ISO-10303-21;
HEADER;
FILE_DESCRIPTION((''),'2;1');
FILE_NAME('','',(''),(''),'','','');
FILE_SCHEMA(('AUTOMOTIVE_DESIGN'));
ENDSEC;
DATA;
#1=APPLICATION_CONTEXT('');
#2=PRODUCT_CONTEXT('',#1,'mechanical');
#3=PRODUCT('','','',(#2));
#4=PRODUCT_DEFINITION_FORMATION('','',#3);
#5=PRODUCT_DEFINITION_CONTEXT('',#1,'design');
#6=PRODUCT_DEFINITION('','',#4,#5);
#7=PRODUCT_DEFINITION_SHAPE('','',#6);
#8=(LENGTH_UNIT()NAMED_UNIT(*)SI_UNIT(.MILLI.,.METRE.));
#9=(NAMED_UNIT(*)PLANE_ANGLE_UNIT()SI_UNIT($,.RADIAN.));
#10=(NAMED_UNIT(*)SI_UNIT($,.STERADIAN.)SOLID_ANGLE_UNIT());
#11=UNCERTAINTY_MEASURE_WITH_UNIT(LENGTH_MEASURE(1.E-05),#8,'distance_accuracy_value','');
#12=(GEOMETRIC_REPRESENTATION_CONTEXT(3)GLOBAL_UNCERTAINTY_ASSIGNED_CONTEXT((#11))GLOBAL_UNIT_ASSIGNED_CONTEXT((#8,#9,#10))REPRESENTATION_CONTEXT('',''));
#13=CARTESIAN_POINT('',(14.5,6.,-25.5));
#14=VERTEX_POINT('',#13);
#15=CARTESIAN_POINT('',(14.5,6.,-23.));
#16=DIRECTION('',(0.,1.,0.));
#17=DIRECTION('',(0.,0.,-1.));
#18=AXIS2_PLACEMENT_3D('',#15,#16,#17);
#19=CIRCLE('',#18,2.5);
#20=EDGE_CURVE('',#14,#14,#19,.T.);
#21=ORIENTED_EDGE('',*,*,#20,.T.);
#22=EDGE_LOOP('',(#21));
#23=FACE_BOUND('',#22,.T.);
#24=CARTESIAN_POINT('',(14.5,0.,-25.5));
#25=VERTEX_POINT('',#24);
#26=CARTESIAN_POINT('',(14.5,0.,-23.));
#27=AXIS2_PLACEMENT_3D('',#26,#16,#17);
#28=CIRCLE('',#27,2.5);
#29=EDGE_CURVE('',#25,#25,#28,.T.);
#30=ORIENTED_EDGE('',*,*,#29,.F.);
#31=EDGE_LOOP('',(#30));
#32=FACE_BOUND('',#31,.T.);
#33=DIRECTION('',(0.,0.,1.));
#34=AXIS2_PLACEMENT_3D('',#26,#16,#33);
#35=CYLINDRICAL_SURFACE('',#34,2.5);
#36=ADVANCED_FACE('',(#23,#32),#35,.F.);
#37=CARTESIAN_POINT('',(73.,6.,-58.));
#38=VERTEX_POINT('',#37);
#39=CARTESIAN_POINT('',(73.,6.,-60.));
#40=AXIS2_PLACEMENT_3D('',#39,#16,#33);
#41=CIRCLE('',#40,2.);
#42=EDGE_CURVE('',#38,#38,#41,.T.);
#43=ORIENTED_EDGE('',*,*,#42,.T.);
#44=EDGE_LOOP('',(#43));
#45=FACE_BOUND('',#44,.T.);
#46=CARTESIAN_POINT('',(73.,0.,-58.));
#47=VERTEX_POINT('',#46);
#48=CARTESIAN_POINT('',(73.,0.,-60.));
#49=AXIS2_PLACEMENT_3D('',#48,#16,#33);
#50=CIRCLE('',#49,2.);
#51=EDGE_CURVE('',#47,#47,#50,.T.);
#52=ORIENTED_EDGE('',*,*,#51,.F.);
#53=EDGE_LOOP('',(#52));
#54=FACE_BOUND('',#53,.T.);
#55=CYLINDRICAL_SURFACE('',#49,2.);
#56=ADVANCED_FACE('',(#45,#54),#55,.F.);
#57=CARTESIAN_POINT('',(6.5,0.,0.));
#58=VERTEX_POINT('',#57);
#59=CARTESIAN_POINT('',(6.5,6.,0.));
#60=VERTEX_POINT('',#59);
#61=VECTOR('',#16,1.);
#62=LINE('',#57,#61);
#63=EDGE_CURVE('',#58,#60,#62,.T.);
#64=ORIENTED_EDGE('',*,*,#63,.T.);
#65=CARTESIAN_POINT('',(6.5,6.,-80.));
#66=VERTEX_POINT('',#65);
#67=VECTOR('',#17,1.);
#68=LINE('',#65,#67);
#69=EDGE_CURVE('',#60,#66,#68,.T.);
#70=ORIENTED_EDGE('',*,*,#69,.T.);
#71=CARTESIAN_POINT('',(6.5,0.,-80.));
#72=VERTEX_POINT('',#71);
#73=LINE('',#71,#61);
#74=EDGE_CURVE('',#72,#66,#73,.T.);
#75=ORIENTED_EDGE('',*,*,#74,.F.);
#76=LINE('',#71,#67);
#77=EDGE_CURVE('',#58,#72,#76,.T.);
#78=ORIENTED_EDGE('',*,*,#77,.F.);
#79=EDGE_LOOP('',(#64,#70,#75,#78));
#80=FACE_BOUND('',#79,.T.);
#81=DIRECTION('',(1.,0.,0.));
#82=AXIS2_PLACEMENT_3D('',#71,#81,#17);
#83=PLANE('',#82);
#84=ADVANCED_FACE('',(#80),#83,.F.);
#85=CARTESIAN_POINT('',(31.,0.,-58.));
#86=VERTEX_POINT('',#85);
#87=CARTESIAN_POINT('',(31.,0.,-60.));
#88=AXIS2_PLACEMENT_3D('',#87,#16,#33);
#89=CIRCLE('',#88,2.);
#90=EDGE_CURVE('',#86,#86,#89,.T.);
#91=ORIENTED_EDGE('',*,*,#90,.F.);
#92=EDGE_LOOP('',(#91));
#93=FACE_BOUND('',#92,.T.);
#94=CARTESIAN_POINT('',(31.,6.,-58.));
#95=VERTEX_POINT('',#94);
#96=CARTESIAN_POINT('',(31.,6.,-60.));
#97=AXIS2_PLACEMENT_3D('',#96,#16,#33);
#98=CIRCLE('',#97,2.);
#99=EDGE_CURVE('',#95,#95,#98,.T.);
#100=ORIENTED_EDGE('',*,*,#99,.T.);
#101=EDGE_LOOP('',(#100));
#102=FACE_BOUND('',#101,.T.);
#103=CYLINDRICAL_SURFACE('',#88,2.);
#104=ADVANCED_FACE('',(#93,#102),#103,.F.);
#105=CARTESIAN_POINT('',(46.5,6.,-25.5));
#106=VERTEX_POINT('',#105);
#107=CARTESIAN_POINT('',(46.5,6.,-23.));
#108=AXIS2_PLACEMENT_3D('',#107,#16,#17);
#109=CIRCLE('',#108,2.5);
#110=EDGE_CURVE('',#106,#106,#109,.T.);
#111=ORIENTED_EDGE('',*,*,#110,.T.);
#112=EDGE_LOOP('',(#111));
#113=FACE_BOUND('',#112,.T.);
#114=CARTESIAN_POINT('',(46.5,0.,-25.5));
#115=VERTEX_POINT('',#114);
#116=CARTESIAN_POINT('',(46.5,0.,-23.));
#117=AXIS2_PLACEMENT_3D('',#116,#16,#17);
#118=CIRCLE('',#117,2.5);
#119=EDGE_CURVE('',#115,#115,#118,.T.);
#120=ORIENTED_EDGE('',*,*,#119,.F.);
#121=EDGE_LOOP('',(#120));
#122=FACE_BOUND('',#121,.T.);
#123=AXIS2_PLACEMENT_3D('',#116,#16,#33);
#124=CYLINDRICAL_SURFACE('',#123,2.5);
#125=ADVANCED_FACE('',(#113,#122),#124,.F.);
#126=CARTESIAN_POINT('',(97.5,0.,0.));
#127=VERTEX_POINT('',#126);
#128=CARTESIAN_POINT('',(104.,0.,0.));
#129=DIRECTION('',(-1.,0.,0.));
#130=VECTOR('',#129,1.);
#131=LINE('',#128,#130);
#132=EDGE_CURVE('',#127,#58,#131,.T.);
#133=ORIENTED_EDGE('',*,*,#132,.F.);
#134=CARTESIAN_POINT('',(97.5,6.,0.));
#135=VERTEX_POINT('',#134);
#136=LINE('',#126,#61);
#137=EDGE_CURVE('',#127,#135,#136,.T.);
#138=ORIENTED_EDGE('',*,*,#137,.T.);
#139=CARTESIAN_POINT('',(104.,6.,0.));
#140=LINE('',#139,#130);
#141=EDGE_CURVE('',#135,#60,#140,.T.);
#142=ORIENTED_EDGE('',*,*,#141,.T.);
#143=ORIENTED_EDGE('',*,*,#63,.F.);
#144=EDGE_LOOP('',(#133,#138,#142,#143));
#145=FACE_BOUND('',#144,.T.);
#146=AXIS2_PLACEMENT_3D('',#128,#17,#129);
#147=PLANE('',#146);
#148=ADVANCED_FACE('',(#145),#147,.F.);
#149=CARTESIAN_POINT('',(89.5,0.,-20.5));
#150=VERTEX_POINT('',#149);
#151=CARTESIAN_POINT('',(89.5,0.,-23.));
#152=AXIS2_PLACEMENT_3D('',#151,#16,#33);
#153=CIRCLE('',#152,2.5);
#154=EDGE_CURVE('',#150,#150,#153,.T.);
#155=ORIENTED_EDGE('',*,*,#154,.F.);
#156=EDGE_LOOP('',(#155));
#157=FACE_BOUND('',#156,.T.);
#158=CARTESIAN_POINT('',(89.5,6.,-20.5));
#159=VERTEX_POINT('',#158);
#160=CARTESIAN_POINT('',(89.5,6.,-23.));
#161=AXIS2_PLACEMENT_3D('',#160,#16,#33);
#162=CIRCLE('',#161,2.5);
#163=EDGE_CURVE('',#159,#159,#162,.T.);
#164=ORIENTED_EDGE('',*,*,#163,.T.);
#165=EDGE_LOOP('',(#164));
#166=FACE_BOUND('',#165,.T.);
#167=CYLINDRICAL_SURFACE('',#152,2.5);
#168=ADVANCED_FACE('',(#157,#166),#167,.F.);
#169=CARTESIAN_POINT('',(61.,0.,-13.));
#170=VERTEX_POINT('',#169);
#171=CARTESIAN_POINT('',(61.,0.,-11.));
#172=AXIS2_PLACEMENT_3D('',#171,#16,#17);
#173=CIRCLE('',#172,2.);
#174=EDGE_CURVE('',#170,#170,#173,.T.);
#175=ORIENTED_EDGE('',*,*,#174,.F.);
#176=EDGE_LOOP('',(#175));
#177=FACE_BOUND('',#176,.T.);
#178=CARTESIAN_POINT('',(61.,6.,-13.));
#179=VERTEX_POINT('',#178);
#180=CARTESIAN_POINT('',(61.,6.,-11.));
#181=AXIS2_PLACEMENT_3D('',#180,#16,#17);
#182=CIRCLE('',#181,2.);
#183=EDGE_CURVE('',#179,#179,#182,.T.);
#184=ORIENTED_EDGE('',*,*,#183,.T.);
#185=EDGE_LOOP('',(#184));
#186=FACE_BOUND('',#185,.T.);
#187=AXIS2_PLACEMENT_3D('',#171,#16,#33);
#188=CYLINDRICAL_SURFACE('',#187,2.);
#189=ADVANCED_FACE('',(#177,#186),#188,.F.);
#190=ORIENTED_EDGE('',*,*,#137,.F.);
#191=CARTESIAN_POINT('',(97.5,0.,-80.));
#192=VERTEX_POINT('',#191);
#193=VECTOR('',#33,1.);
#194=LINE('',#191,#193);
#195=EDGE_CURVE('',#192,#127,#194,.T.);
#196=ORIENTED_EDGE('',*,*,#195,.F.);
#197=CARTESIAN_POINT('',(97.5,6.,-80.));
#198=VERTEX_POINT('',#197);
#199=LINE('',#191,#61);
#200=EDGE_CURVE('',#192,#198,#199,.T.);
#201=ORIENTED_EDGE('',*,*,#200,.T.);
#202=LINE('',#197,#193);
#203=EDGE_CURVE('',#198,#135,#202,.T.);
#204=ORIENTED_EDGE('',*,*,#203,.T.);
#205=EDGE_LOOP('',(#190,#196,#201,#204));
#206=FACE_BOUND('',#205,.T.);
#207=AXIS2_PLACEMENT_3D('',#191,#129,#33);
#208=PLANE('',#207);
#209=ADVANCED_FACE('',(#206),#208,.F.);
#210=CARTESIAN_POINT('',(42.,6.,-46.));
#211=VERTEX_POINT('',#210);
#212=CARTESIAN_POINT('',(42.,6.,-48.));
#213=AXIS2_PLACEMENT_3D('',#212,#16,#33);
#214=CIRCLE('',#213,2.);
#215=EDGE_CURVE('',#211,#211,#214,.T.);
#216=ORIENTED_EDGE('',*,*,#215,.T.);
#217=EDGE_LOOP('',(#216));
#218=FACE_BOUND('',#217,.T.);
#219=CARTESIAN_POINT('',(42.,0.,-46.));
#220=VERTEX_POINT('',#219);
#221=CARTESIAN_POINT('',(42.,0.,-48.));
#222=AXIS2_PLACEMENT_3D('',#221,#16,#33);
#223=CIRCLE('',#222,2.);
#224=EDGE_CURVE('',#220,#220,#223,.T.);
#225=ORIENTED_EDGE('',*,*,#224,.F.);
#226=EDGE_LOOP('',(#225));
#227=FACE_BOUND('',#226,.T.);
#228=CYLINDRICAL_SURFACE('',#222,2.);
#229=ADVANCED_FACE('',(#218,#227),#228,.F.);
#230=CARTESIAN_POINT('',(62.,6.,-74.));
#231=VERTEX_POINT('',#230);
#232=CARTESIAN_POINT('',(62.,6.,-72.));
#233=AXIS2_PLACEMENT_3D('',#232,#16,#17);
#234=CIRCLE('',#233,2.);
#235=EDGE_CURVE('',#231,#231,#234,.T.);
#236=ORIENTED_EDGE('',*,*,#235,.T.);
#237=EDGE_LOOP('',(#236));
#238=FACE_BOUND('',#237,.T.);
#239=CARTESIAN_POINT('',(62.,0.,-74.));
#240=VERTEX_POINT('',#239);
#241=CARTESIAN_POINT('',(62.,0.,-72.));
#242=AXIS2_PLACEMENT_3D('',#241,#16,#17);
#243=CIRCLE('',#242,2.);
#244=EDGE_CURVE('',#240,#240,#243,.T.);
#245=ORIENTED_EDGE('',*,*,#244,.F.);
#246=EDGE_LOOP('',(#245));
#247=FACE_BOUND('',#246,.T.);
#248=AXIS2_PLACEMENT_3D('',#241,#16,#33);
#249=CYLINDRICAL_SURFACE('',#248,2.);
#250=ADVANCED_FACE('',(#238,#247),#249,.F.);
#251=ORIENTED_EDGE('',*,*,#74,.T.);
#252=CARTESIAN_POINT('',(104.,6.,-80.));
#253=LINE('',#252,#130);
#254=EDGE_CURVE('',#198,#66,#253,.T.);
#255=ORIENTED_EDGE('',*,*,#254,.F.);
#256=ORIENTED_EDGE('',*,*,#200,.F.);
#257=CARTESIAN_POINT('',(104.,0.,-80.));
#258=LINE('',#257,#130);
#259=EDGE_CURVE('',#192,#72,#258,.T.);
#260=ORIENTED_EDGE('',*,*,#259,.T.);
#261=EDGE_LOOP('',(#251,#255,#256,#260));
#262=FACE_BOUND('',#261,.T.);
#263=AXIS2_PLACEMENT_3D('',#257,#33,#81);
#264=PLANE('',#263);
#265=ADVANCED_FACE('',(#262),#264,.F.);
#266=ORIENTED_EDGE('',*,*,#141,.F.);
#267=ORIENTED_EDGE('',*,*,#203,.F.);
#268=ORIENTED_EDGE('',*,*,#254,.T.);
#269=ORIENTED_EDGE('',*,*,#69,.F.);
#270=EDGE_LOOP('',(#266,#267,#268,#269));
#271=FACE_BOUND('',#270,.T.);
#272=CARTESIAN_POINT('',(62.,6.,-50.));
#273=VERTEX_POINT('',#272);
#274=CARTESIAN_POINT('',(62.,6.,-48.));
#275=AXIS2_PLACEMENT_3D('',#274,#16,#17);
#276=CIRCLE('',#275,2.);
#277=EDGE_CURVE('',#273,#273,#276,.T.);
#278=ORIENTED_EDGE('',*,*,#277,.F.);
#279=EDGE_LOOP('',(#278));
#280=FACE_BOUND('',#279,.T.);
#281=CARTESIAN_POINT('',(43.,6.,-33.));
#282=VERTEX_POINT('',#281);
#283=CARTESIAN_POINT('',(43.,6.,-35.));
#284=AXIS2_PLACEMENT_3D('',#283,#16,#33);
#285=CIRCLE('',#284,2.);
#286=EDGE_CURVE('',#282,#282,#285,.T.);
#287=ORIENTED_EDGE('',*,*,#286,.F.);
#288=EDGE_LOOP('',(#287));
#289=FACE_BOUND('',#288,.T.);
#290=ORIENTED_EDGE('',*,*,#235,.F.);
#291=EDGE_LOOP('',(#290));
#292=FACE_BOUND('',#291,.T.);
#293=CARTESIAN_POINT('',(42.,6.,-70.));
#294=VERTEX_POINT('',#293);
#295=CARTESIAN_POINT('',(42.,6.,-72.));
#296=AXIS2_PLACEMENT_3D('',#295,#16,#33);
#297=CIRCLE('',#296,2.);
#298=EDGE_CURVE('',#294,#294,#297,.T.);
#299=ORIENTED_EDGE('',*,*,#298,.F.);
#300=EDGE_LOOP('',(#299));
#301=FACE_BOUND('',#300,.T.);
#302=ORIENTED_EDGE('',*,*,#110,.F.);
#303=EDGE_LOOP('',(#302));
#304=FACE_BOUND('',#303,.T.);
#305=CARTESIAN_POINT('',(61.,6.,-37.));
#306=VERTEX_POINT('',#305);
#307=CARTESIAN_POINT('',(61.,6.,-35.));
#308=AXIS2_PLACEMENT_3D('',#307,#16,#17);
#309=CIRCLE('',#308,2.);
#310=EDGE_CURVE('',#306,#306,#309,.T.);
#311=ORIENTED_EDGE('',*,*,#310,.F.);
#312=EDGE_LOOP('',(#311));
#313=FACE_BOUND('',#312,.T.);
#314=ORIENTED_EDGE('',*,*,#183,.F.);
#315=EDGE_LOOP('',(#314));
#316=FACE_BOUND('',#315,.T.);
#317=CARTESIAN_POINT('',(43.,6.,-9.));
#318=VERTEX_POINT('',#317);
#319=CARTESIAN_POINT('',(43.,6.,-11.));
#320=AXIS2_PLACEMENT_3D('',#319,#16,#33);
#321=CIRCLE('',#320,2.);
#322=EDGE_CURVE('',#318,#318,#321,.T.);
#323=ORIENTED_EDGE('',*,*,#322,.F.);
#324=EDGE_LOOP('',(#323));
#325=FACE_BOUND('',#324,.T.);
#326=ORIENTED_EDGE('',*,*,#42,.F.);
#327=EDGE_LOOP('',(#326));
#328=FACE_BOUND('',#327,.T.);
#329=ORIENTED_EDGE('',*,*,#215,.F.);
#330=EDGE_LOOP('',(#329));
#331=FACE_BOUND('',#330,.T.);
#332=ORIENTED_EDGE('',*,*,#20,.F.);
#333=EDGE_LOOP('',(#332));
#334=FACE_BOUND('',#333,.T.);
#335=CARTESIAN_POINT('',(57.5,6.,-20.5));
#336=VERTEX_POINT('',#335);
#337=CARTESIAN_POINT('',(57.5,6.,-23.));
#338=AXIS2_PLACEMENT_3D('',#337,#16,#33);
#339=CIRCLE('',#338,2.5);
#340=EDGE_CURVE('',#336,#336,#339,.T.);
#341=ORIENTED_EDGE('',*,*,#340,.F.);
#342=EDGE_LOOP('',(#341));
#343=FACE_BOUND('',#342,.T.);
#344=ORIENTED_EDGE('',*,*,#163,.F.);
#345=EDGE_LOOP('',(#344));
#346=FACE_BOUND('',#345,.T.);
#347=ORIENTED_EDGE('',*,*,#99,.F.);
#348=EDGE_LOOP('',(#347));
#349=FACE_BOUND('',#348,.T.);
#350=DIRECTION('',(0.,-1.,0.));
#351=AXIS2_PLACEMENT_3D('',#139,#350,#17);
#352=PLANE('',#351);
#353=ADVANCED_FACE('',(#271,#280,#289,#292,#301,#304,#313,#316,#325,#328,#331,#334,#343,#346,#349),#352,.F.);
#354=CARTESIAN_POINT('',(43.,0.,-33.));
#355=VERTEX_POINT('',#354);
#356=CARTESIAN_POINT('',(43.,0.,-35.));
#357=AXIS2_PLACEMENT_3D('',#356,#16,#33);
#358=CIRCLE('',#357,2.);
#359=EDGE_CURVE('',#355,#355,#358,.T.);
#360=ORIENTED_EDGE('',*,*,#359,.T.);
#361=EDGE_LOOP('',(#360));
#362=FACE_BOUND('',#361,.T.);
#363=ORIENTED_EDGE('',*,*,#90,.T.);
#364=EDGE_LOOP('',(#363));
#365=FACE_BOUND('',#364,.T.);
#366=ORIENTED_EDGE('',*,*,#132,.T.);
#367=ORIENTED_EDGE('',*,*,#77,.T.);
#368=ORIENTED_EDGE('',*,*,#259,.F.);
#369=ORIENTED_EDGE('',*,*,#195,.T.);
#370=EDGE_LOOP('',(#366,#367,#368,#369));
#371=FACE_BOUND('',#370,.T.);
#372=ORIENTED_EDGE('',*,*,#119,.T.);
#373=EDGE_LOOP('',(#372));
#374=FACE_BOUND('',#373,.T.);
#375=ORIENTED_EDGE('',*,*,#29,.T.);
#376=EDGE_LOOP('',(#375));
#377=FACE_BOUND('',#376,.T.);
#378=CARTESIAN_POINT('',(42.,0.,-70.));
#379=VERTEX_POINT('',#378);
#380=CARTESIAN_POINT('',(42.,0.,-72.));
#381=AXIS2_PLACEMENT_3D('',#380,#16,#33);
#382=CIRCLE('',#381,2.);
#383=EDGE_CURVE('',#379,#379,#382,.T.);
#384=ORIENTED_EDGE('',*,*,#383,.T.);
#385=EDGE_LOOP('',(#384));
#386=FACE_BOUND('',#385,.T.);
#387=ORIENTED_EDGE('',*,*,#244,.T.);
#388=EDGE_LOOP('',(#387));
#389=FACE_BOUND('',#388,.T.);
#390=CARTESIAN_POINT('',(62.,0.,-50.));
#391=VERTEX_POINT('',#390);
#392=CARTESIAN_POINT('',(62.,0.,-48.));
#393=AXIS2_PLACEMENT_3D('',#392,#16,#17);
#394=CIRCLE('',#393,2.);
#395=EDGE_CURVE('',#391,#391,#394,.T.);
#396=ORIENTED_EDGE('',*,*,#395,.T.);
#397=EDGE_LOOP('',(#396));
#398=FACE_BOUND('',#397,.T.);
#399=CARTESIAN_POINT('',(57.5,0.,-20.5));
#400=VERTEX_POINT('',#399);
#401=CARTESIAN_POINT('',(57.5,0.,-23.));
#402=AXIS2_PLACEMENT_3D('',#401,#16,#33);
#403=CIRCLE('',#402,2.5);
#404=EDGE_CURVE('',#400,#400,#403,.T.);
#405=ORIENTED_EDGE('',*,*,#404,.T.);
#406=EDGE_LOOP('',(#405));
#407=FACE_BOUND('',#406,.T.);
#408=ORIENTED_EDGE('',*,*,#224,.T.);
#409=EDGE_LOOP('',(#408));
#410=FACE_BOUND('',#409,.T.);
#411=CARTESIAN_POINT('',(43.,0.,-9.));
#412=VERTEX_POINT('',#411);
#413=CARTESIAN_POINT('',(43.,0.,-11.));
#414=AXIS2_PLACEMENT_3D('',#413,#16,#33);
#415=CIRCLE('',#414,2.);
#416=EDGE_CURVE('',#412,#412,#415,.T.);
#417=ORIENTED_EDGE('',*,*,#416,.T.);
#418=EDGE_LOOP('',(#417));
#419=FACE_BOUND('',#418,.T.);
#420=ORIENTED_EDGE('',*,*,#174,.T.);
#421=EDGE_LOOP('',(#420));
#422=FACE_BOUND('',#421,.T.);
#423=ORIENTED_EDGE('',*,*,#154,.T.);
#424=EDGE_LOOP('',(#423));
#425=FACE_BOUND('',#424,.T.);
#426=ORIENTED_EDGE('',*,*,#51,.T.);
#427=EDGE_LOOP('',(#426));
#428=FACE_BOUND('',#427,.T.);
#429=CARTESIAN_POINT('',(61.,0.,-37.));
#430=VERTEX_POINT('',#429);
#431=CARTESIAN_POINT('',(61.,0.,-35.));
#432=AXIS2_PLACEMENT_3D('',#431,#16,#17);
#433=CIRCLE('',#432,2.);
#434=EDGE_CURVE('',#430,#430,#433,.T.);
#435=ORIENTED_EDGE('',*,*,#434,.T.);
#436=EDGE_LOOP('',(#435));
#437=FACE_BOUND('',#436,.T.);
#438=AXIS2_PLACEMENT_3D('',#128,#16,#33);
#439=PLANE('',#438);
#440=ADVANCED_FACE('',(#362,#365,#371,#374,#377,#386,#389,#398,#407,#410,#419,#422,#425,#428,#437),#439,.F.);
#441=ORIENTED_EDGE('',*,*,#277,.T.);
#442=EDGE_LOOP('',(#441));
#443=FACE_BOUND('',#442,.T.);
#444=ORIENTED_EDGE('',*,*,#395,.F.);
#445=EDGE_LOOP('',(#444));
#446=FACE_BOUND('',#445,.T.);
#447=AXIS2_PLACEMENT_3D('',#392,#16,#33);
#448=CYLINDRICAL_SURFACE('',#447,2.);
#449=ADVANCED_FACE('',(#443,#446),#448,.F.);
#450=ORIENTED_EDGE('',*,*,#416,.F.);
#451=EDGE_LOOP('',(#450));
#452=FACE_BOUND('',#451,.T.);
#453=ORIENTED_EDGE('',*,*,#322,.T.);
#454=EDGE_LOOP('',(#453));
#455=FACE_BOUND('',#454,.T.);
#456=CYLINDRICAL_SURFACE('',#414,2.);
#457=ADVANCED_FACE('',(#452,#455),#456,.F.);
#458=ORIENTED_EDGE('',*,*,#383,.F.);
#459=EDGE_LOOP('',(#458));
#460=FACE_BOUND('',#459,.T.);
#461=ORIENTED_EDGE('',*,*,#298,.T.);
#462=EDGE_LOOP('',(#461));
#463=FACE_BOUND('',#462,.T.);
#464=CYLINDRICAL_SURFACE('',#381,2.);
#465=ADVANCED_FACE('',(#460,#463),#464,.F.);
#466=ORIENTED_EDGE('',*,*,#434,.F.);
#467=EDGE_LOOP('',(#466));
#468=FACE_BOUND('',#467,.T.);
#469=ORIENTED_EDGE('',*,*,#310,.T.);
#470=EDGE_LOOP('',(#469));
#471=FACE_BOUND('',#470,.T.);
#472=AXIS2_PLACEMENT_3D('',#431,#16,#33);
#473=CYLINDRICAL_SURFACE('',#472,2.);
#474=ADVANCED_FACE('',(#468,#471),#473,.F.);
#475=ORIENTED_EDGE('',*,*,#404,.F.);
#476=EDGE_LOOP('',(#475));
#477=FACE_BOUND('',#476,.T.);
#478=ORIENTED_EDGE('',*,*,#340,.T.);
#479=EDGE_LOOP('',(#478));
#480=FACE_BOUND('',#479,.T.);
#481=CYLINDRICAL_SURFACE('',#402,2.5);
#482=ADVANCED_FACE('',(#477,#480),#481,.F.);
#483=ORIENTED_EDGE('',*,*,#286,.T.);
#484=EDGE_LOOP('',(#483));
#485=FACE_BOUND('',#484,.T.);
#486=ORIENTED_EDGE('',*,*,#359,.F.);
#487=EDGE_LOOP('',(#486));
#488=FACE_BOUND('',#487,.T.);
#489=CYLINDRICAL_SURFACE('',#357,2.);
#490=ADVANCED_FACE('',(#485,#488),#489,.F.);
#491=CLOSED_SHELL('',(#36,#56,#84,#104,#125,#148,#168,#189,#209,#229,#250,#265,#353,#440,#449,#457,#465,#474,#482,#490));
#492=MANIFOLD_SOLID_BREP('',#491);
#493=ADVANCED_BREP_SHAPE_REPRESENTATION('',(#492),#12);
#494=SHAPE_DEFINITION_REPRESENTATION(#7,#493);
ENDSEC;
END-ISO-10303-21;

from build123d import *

# Parameters (mm, degrees)
EXTRUDE_1_DEPTH     = 104
SKETCH_2_R          = 2
SKETCH_2_R_2        = 2.5
SKETCH_2_W          = 6.5
SKETCH_2_H          = 80
CUT_EXTRUDE_1_DEPTH = 132.346869015


with BuildPart() as part:
    # 草图1 → 凸台-拉伸1 (new body)
    with BuildSketch(Plane(origin=(0, 0, 0), x_dir=(0, 0, -1), z_dir=(1, 0, 0))):
        Polygon((0, 0), (80, 0), (80, 6), (6, 6), (0, 6), align=None)
    extrude(amount=EXTRUDE_1_DEPTH)

    # 草图2 → 切除-拉伸1 (cut, through all)
    with BuildSketch(Plane(origin=(0, 6, 0), x_dir=(1, 0, 0), z_dir=(0, 1, 0))):
        with Locations(Location((43, 11, 0), (0, 0, 270))):
            Circle(SKETCH_2_R)
        with Locations(Location((43, 35, 0), (0, 0, 270))):
            Circle(SKETCH_2_R)
        with Locations(Location((42, 48, 0), (0, 0, 270))):
            Circle(SKETCH_2_R)
        with Locations(Location((42, 72, 0), (0, 0, 270))):
            Circle(SKETCH_2_R)
        with Locations(Location((62, 72, 0), (0, 0, 90))):
            Circle(SKETCH_2_R)
        with Locations(Location((62, 48, 0), (0, 0, 90))):
            Circle(SKETCH_2_R)
        with Locations(Location((61, 35, 0), (0, 0, 90))):
            Circle(SKETCH_2_R)
        with Locations(Location((61, 11, 0), (0, 0, 90))):
            Circle(SKETCH_2_R)
        with Locations(Location((57.5, 23, 0), (0, 0, 270))):
            Circle(SKETCH_2_R_2)
        with Locations(Location((89.5, 23, 0), (0, 0, 270))):
            Circle(SKETCH_2_R_2)
        with Locations(Location((46.5, 23, 0), (0, 0, 90))):
            Circle(SKETCH_2_R_2)
        with Locations(Location((14.5, 23, 0), (0, 0, 90))):
            Circle(SKETCH_2_R_2)
        with Locations(Location((73, 60, 0), (0, 0, 270))):
            Circle(SKETCH_2_R)
        with Locations(Location((31, 60, 0), (0, 0, 270))):
            Circle(SKETCH_2_R)
        with Locations((100.75, 40)):
            Rectangle(SKETCH_2_W, SKETCH_2_H)
        with Locations((3.25, 40)):
            Rectangle(SKETCH_2_W, SKETCH_2_H)
    extrude(amount=-CUT_EXTRUDE_1_DEPTH, mode=Mode.SUBTRACT)


solid = part.part
